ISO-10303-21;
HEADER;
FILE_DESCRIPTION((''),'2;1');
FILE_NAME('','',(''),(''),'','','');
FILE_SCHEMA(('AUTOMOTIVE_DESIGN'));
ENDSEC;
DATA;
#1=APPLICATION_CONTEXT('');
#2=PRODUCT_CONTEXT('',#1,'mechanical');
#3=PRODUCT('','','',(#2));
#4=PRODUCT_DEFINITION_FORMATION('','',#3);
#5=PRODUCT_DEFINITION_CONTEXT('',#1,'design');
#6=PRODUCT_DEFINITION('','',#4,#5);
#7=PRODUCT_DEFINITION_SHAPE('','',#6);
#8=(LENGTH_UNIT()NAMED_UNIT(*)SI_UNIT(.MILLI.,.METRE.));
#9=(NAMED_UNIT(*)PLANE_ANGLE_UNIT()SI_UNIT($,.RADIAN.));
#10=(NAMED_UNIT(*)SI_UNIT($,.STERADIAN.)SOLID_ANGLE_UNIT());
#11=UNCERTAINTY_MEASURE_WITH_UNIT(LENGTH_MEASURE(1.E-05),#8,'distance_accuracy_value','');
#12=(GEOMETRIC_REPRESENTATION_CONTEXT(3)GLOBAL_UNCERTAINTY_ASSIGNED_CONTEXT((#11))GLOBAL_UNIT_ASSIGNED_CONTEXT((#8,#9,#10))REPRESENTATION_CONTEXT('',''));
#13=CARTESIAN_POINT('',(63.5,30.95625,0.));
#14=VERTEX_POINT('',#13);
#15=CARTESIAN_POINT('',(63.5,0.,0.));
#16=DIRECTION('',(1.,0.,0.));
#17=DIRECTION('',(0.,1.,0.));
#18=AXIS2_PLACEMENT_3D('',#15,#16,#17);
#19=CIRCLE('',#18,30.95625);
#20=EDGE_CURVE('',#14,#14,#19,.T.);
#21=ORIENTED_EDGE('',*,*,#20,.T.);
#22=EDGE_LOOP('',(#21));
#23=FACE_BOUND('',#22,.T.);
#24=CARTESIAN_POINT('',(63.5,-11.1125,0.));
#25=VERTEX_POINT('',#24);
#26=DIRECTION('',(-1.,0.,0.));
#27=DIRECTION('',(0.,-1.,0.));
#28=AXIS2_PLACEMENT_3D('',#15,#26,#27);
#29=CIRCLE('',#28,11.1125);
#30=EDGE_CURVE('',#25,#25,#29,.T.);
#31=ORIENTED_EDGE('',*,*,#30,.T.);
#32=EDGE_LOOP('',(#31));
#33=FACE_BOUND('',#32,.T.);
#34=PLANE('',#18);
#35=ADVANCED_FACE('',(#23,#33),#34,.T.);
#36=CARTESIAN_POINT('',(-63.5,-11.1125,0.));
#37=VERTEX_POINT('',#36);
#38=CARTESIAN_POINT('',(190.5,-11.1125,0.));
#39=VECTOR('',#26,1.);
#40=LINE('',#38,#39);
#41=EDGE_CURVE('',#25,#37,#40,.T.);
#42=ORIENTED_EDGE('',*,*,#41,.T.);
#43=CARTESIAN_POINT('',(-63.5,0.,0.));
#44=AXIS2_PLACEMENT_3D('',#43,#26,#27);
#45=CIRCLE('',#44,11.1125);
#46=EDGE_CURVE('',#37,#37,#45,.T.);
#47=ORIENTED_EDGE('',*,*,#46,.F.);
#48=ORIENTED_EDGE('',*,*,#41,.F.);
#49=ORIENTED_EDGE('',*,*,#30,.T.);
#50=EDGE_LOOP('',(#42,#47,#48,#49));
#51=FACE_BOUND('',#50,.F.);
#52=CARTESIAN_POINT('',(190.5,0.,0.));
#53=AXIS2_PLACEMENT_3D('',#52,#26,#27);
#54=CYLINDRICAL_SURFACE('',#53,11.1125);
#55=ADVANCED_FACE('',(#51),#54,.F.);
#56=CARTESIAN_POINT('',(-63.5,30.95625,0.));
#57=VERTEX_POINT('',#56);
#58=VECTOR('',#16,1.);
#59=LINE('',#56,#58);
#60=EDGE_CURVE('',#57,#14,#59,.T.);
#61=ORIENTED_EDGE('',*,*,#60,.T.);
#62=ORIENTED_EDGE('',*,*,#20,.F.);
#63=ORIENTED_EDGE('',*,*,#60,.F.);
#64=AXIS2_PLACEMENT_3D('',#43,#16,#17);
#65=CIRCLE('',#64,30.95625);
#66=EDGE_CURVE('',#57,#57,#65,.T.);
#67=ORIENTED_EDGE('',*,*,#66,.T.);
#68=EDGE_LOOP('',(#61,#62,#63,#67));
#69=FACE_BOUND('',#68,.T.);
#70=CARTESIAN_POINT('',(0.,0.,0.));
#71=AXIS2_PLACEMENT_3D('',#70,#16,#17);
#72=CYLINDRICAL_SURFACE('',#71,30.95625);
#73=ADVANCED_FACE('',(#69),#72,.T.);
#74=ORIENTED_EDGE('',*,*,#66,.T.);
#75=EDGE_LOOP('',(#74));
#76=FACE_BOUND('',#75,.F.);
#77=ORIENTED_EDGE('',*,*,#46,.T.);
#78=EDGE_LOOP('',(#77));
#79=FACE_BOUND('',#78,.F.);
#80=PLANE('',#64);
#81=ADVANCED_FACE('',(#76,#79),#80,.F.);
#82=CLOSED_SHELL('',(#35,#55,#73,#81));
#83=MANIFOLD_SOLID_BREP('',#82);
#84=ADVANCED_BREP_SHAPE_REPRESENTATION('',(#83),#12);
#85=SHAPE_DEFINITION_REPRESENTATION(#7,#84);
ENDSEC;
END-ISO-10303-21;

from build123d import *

# Parameters (mm, degrees)
F0_R     = 30.95625
F1_DEPTH = 63.5
F3_D     = 22.225
F3_DEPTH = 127


with BuildPart() as f1:
    # F0 (on Right) → F1 (new body, symmetric)
    with BuildSketch(Plane.YZ):
        Circle(F0_R)
    extrude(amount=F1_DEPTH, both=True)

    # F3
    with Locations(Plane.YZ.offset(63.5)):
        with Locations((0, 0)):
            Hole(F3_D / 2, depth=F3_DEPTH)


solid = f1.part
